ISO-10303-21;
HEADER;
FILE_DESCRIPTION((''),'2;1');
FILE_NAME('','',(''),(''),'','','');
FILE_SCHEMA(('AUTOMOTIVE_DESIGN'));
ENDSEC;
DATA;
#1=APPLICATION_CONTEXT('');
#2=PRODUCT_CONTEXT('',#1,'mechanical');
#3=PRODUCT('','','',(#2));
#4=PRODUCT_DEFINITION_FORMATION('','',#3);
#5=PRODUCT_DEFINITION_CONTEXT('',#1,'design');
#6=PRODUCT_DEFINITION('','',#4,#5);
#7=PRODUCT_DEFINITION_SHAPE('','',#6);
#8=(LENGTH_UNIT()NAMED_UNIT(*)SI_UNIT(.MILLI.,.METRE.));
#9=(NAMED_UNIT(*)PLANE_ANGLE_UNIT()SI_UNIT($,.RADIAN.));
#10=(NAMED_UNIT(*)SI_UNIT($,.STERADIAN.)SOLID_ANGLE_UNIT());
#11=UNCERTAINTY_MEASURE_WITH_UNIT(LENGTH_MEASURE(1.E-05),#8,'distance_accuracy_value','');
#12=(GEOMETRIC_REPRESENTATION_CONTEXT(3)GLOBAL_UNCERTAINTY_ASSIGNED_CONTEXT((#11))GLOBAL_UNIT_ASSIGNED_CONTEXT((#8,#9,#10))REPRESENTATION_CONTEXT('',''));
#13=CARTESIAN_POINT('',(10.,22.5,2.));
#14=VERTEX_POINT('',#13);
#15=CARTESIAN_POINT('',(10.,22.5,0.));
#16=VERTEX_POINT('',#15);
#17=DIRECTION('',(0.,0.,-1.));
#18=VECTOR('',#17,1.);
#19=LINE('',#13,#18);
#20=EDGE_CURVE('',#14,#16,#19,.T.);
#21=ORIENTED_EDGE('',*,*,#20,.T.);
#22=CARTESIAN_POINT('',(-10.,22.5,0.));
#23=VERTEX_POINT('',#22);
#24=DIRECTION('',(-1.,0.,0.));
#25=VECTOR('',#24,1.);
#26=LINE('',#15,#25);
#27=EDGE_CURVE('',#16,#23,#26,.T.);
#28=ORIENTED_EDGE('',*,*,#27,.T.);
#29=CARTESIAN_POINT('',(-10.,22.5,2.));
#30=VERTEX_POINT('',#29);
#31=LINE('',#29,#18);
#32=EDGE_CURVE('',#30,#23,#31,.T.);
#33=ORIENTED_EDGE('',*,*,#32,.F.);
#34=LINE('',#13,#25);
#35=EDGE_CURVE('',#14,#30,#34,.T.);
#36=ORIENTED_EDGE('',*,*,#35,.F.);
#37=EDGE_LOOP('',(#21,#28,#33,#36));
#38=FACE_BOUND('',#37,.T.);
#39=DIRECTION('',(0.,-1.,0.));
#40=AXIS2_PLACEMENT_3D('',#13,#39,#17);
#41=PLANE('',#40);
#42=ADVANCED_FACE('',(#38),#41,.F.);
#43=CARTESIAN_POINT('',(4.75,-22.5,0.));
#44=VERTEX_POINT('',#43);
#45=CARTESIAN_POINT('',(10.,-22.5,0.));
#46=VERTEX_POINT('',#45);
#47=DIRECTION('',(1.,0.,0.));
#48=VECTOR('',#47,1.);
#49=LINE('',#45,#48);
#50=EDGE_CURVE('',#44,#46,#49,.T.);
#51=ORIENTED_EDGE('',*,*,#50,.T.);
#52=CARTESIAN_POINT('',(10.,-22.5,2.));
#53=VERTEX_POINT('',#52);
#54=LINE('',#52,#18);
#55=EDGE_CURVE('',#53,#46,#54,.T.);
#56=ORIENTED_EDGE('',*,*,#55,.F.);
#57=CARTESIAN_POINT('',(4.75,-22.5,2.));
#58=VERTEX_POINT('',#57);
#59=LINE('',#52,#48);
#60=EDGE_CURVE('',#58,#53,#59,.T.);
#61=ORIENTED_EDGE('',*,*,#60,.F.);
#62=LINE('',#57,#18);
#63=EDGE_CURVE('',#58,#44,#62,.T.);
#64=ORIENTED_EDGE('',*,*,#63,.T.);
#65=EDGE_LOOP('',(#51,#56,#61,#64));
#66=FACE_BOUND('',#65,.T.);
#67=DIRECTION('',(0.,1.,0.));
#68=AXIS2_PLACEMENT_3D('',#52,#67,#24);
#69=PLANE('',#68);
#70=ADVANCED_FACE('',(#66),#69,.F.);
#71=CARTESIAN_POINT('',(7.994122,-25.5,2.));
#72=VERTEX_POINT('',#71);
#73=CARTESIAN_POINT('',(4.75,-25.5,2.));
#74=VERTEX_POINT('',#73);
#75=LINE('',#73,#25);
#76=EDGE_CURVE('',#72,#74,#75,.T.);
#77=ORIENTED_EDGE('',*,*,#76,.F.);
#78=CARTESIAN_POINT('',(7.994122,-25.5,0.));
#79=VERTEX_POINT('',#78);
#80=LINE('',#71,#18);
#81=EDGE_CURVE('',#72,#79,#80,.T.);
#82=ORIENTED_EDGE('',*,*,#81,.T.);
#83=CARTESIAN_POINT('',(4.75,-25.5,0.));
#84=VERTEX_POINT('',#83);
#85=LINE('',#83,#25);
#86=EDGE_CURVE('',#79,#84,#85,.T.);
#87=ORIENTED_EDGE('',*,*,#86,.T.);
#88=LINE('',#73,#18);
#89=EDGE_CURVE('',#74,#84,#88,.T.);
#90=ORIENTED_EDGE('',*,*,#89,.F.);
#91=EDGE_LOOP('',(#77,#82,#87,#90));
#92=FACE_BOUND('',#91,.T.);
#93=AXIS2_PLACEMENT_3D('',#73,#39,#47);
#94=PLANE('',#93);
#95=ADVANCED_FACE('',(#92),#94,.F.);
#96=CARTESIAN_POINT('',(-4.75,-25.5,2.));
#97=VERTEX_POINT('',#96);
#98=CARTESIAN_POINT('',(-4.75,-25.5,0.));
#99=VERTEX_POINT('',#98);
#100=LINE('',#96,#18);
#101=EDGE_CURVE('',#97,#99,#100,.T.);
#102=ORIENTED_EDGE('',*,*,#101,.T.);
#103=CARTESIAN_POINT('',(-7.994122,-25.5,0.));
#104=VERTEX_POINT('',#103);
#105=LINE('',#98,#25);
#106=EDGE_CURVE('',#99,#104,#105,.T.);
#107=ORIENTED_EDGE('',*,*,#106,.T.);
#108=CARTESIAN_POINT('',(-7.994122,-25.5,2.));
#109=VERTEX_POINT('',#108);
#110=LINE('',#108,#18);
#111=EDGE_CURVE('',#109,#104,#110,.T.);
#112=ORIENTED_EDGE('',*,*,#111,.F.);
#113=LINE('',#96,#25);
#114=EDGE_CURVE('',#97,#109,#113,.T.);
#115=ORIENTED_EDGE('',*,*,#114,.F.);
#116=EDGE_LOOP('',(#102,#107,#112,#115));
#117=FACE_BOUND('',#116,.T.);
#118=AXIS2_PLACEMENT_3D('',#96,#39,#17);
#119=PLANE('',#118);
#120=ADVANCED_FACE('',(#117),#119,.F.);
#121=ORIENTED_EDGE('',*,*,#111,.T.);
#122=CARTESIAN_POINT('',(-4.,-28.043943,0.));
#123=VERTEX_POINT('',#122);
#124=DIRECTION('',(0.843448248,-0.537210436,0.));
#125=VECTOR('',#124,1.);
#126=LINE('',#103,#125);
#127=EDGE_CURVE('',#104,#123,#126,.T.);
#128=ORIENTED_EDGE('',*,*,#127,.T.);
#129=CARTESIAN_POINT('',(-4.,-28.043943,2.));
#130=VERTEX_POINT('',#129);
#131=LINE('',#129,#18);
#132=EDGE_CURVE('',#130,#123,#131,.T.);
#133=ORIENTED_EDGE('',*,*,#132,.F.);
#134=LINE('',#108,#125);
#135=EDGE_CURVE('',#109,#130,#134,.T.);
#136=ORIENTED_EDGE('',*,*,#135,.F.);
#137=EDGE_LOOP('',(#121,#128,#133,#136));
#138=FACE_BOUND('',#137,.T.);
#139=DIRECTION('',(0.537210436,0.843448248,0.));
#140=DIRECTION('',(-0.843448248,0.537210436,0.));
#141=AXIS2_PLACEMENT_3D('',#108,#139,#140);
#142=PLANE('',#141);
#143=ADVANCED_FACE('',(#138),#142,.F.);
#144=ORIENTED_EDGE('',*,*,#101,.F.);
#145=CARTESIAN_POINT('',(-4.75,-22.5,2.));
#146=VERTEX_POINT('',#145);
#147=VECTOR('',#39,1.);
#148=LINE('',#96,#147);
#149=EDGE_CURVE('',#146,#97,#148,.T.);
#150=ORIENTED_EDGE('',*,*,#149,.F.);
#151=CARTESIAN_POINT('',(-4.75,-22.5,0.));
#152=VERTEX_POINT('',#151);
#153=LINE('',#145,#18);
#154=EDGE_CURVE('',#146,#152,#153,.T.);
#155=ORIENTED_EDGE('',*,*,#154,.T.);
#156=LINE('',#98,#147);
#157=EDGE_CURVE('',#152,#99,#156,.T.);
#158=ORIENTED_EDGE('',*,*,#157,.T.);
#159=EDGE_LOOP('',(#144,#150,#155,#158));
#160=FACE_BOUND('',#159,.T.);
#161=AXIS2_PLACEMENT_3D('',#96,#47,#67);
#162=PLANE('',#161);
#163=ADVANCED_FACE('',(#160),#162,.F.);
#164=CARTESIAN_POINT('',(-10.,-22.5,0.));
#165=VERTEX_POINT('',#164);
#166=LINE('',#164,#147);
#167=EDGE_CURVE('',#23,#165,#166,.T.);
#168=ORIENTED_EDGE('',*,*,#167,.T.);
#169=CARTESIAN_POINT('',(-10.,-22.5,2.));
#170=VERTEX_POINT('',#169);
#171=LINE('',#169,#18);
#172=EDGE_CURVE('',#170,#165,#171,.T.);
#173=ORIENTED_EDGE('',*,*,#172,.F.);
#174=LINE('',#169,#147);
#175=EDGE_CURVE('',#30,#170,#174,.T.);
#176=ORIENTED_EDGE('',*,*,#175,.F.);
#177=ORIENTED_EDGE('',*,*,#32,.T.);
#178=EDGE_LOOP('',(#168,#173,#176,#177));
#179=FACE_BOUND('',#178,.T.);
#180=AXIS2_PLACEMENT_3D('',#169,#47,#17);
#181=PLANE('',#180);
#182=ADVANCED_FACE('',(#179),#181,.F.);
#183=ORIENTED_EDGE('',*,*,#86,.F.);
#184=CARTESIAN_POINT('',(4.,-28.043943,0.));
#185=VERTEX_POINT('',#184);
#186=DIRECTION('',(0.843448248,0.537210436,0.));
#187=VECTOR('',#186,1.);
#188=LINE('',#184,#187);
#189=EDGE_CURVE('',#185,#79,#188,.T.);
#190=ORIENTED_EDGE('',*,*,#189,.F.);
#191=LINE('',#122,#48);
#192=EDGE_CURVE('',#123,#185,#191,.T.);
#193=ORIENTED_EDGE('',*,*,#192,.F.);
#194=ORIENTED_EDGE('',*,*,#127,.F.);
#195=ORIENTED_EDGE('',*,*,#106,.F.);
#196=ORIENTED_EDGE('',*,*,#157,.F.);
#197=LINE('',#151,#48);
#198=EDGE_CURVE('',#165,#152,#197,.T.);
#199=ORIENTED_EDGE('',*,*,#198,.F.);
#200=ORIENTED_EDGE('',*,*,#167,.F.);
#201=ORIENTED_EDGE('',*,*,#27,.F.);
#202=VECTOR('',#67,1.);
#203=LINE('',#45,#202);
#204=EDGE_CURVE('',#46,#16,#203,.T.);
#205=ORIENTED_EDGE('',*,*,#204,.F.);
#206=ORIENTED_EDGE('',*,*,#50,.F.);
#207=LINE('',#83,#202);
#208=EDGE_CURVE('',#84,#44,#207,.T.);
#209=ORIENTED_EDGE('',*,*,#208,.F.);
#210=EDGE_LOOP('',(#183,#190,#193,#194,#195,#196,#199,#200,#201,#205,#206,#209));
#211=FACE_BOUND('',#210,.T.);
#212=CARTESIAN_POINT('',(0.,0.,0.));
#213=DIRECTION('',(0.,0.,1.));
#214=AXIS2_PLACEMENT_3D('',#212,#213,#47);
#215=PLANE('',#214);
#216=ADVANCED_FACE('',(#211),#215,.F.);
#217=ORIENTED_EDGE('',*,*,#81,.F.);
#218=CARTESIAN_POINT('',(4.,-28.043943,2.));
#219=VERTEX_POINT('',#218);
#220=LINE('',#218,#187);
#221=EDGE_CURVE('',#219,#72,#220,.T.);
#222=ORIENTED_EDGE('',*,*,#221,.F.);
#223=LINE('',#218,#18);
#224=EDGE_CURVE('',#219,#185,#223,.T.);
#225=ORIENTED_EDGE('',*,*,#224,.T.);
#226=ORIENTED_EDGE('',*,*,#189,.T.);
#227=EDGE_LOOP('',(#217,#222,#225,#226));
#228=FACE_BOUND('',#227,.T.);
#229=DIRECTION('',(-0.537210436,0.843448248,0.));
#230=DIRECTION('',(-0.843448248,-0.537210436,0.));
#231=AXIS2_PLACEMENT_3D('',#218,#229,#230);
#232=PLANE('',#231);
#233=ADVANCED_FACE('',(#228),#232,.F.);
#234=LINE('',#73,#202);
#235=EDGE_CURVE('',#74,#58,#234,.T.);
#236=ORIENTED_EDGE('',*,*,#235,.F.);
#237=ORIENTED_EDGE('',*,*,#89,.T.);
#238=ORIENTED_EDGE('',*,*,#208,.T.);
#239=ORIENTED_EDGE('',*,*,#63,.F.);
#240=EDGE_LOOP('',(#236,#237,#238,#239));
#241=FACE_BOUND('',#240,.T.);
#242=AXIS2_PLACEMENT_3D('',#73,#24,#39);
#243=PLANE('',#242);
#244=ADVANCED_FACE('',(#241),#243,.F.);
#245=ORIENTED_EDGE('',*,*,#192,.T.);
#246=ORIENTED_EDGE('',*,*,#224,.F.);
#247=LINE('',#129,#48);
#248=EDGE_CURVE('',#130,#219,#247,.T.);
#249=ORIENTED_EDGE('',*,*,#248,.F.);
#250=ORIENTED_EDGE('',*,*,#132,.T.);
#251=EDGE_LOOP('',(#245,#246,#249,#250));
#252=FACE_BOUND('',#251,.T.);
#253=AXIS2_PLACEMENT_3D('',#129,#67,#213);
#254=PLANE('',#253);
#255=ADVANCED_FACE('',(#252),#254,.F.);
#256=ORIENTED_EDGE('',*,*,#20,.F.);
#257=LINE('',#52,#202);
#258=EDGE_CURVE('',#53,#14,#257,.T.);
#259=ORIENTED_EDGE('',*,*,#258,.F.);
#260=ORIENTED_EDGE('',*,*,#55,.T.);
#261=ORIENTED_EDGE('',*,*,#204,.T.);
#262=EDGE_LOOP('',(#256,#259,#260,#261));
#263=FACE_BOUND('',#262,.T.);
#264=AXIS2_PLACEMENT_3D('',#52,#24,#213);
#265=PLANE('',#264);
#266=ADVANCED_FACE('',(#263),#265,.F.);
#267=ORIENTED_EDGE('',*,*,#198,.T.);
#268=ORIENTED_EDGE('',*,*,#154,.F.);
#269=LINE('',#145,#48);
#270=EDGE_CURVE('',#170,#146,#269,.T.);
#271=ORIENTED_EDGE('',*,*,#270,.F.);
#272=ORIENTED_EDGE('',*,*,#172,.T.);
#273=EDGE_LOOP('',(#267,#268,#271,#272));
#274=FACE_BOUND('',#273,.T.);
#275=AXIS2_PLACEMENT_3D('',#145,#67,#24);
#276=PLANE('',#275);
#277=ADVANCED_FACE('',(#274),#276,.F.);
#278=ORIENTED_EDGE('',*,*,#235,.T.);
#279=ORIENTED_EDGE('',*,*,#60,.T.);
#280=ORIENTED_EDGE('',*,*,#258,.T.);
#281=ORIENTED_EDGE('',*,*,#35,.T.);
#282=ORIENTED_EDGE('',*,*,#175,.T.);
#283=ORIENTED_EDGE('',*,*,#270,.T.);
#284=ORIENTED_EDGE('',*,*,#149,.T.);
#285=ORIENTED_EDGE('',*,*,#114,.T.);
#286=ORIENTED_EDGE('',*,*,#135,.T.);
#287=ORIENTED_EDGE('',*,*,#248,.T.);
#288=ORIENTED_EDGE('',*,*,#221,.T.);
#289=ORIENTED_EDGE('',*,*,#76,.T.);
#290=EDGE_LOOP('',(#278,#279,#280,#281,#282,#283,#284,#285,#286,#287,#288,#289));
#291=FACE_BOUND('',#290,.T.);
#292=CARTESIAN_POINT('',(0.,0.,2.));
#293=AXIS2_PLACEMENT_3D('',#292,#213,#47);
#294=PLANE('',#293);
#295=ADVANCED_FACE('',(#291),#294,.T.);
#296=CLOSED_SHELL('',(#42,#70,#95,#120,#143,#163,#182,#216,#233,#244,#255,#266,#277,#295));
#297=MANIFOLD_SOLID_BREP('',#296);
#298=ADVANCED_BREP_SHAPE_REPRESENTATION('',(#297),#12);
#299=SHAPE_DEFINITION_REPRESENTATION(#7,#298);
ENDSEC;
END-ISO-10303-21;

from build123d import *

# Parameters (mm, degrees)
EXTRUDE_1_DEPTH = 2


with BuildPart() as part:
    # Эскиз1 → Бобышка-Вытянуть1 (new body)
    with BuildSketch(Plane.XY):
        Polygon((-4.75, -25.5), (-7.994122029, -25.5), (-4, -28.043942726), (4, -28.043942726), (7.994122029, -25.5), (4.75, -25.5), (4.75, -22.5), (10, -22.5), (10, 22.5), (-10, 22.5), (-10, -22.5), (-4.75, -22.5), align=None)
    extrude(amount=EXTRUDE_1_DEPTH)


solid = part.part
